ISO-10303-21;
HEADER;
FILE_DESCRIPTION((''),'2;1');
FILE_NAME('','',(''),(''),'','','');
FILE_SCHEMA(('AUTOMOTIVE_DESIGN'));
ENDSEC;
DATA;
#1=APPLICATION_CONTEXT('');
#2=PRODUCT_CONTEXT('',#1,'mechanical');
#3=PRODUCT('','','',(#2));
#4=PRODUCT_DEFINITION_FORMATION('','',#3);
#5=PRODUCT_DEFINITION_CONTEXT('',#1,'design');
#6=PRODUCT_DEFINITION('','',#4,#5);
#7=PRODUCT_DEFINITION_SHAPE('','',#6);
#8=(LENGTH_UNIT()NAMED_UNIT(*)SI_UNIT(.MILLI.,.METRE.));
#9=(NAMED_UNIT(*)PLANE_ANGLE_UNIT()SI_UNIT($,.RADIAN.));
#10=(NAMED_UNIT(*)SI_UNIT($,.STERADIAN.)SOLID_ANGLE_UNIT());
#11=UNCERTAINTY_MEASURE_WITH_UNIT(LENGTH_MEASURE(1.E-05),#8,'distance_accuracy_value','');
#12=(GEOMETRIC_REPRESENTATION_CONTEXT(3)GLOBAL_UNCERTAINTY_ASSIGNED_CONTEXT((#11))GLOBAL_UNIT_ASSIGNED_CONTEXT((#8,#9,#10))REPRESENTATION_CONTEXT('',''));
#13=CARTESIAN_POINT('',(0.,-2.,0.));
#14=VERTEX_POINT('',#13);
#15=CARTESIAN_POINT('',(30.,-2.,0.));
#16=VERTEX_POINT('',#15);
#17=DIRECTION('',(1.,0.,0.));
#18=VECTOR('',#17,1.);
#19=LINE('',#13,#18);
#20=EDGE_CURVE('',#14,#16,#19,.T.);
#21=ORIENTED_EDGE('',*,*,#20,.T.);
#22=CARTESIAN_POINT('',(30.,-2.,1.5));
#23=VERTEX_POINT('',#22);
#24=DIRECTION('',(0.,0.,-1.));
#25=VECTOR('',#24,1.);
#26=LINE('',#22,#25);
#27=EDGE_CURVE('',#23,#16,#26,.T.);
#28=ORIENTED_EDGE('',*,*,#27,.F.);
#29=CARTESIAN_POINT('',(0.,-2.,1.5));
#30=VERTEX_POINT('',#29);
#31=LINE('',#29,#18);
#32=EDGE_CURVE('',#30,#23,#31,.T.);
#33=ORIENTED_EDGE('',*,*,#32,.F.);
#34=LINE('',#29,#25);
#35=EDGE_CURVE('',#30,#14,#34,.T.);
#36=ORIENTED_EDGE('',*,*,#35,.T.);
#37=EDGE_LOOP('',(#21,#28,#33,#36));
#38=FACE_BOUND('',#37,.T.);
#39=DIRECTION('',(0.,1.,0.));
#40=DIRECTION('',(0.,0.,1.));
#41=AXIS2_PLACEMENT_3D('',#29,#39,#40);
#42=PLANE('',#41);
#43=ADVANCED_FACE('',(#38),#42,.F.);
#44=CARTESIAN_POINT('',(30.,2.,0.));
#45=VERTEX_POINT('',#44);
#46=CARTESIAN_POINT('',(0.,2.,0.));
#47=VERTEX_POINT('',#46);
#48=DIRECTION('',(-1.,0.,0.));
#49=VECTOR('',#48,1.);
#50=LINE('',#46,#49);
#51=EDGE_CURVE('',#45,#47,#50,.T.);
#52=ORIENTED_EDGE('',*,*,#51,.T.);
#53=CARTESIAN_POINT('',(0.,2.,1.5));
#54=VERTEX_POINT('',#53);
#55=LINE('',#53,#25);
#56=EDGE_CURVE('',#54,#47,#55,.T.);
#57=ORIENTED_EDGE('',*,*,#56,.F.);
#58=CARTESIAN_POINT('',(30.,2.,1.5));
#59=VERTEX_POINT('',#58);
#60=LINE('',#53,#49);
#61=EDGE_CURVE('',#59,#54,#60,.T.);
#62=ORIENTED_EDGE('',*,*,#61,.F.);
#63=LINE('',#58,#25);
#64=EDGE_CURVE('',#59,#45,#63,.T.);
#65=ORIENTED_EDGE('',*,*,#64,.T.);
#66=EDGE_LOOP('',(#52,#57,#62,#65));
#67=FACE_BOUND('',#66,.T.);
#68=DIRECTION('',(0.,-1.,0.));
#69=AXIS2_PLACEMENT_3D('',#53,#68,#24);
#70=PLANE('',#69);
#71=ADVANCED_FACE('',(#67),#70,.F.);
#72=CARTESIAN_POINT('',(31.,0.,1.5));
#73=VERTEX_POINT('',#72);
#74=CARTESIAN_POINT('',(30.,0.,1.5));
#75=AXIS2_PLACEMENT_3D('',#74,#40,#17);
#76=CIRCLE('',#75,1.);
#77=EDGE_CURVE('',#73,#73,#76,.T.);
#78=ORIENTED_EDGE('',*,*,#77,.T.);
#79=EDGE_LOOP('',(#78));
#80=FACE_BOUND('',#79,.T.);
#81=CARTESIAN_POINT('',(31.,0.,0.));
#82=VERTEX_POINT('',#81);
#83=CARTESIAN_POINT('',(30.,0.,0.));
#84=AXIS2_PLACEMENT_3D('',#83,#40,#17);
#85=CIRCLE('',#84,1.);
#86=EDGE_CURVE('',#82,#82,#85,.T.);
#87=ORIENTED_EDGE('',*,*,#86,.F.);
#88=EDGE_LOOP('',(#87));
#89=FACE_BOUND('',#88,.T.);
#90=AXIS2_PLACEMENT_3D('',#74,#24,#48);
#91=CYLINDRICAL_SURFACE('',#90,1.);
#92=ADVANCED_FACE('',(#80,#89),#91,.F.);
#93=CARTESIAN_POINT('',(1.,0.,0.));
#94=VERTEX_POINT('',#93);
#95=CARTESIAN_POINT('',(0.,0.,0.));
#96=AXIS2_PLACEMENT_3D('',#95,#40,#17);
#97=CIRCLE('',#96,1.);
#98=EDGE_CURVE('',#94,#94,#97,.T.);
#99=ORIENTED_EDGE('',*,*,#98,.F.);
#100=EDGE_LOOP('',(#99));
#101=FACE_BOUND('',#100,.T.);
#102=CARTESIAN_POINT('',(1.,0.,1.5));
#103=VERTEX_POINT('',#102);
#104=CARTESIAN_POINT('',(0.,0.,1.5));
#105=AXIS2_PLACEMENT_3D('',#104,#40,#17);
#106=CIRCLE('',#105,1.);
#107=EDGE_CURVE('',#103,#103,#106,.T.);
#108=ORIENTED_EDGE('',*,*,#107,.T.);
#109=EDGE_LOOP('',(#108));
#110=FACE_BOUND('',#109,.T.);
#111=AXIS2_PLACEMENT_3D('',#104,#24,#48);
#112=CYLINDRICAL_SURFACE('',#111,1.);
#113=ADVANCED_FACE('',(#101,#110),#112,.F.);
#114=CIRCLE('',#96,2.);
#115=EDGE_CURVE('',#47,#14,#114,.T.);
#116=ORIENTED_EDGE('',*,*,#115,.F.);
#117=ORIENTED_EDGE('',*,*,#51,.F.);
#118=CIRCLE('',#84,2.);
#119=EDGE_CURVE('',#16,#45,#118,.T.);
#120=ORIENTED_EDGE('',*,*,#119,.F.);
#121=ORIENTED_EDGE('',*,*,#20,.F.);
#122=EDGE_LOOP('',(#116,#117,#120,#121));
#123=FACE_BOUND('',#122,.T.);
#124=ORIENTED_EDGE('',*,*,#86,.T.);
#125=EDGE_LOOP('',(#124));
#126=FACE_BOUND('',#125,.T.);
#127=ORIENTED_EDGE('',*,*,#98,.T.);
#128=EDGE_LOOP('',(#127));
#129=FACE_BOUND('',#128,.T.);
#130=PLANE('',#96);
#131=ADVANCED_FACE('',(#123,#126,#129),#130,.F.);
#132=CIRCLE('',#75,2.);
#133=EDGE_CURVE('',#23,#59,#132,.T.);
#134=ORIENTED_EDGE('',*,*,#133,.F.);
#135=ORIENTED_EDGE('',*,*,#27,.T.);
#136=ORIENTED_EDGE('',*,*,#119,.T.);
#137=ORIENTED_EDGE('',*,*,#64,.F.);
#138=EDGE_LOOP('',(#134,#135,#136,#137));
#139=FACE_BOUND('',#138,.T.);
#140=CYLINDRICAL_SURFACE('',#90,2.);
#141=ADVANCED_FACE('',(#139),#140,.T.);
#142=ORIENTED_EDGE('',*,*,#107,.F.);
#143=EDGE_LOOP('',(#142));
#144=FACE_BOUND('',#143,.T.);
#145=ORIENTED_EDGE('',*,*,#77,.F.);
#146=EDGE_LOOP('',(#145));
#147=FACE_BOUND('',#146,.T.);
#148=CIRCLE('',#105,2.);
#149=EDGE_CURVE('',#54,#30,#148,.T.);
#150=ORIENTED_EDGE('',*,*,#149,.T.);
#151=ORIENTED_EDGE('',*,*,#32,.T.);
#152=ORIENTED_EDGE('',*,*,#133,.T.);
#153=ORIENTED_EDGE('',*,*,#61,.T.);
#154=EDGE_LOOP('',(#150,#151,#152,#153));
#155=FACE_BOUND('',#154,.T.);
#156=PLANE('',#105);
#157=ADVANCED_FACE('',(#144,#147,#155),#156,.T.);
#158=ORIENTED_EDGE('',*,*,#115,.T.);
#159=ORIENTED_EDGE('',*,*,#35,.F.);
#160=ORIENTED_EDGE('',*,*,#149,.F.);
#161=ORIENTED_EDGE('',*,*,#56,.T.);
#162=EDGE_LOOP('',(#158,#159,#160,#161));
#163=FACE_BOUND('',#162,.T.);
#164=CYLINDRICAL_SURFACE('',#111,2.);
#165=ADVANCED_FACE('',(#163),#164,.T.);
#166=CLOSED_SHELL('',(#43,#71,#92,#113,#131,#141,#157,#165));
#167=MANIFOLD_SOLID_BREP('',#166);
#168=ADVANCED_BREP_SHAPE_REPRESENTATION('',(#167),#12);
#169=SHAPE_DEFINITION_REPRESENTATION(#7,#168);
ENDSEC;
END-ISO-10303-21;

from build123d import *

# Parameters (mm, degrees)
SKETCH_1_R      = 1
EXTRUDE_1_DEPTH = 1.5


with BuildPart() as part:
    # 草图1 → 凸台-拉伸1 (new body)
    with BuildSketch(Plane.XY):
        with BuildLine():
            Line((0, 2), (30, 2))
            ThreePointArc((30, 2), (32, 0), (30, -2))
            Line((30, -2), (0, -2))
            ThreePointArc((0, -2), (-2, 0), (0, 2))
        make_face()
        with Locations((30, 0)):
            Circle(SKETCH_1_R, mode=Mode.SUBTRACT)
        Circle(SKETCH_1_R, mode=Mode.SUBTRACT)
    extrude(amount=EXTRUDE_1_DEPTH)


solid = part.part
